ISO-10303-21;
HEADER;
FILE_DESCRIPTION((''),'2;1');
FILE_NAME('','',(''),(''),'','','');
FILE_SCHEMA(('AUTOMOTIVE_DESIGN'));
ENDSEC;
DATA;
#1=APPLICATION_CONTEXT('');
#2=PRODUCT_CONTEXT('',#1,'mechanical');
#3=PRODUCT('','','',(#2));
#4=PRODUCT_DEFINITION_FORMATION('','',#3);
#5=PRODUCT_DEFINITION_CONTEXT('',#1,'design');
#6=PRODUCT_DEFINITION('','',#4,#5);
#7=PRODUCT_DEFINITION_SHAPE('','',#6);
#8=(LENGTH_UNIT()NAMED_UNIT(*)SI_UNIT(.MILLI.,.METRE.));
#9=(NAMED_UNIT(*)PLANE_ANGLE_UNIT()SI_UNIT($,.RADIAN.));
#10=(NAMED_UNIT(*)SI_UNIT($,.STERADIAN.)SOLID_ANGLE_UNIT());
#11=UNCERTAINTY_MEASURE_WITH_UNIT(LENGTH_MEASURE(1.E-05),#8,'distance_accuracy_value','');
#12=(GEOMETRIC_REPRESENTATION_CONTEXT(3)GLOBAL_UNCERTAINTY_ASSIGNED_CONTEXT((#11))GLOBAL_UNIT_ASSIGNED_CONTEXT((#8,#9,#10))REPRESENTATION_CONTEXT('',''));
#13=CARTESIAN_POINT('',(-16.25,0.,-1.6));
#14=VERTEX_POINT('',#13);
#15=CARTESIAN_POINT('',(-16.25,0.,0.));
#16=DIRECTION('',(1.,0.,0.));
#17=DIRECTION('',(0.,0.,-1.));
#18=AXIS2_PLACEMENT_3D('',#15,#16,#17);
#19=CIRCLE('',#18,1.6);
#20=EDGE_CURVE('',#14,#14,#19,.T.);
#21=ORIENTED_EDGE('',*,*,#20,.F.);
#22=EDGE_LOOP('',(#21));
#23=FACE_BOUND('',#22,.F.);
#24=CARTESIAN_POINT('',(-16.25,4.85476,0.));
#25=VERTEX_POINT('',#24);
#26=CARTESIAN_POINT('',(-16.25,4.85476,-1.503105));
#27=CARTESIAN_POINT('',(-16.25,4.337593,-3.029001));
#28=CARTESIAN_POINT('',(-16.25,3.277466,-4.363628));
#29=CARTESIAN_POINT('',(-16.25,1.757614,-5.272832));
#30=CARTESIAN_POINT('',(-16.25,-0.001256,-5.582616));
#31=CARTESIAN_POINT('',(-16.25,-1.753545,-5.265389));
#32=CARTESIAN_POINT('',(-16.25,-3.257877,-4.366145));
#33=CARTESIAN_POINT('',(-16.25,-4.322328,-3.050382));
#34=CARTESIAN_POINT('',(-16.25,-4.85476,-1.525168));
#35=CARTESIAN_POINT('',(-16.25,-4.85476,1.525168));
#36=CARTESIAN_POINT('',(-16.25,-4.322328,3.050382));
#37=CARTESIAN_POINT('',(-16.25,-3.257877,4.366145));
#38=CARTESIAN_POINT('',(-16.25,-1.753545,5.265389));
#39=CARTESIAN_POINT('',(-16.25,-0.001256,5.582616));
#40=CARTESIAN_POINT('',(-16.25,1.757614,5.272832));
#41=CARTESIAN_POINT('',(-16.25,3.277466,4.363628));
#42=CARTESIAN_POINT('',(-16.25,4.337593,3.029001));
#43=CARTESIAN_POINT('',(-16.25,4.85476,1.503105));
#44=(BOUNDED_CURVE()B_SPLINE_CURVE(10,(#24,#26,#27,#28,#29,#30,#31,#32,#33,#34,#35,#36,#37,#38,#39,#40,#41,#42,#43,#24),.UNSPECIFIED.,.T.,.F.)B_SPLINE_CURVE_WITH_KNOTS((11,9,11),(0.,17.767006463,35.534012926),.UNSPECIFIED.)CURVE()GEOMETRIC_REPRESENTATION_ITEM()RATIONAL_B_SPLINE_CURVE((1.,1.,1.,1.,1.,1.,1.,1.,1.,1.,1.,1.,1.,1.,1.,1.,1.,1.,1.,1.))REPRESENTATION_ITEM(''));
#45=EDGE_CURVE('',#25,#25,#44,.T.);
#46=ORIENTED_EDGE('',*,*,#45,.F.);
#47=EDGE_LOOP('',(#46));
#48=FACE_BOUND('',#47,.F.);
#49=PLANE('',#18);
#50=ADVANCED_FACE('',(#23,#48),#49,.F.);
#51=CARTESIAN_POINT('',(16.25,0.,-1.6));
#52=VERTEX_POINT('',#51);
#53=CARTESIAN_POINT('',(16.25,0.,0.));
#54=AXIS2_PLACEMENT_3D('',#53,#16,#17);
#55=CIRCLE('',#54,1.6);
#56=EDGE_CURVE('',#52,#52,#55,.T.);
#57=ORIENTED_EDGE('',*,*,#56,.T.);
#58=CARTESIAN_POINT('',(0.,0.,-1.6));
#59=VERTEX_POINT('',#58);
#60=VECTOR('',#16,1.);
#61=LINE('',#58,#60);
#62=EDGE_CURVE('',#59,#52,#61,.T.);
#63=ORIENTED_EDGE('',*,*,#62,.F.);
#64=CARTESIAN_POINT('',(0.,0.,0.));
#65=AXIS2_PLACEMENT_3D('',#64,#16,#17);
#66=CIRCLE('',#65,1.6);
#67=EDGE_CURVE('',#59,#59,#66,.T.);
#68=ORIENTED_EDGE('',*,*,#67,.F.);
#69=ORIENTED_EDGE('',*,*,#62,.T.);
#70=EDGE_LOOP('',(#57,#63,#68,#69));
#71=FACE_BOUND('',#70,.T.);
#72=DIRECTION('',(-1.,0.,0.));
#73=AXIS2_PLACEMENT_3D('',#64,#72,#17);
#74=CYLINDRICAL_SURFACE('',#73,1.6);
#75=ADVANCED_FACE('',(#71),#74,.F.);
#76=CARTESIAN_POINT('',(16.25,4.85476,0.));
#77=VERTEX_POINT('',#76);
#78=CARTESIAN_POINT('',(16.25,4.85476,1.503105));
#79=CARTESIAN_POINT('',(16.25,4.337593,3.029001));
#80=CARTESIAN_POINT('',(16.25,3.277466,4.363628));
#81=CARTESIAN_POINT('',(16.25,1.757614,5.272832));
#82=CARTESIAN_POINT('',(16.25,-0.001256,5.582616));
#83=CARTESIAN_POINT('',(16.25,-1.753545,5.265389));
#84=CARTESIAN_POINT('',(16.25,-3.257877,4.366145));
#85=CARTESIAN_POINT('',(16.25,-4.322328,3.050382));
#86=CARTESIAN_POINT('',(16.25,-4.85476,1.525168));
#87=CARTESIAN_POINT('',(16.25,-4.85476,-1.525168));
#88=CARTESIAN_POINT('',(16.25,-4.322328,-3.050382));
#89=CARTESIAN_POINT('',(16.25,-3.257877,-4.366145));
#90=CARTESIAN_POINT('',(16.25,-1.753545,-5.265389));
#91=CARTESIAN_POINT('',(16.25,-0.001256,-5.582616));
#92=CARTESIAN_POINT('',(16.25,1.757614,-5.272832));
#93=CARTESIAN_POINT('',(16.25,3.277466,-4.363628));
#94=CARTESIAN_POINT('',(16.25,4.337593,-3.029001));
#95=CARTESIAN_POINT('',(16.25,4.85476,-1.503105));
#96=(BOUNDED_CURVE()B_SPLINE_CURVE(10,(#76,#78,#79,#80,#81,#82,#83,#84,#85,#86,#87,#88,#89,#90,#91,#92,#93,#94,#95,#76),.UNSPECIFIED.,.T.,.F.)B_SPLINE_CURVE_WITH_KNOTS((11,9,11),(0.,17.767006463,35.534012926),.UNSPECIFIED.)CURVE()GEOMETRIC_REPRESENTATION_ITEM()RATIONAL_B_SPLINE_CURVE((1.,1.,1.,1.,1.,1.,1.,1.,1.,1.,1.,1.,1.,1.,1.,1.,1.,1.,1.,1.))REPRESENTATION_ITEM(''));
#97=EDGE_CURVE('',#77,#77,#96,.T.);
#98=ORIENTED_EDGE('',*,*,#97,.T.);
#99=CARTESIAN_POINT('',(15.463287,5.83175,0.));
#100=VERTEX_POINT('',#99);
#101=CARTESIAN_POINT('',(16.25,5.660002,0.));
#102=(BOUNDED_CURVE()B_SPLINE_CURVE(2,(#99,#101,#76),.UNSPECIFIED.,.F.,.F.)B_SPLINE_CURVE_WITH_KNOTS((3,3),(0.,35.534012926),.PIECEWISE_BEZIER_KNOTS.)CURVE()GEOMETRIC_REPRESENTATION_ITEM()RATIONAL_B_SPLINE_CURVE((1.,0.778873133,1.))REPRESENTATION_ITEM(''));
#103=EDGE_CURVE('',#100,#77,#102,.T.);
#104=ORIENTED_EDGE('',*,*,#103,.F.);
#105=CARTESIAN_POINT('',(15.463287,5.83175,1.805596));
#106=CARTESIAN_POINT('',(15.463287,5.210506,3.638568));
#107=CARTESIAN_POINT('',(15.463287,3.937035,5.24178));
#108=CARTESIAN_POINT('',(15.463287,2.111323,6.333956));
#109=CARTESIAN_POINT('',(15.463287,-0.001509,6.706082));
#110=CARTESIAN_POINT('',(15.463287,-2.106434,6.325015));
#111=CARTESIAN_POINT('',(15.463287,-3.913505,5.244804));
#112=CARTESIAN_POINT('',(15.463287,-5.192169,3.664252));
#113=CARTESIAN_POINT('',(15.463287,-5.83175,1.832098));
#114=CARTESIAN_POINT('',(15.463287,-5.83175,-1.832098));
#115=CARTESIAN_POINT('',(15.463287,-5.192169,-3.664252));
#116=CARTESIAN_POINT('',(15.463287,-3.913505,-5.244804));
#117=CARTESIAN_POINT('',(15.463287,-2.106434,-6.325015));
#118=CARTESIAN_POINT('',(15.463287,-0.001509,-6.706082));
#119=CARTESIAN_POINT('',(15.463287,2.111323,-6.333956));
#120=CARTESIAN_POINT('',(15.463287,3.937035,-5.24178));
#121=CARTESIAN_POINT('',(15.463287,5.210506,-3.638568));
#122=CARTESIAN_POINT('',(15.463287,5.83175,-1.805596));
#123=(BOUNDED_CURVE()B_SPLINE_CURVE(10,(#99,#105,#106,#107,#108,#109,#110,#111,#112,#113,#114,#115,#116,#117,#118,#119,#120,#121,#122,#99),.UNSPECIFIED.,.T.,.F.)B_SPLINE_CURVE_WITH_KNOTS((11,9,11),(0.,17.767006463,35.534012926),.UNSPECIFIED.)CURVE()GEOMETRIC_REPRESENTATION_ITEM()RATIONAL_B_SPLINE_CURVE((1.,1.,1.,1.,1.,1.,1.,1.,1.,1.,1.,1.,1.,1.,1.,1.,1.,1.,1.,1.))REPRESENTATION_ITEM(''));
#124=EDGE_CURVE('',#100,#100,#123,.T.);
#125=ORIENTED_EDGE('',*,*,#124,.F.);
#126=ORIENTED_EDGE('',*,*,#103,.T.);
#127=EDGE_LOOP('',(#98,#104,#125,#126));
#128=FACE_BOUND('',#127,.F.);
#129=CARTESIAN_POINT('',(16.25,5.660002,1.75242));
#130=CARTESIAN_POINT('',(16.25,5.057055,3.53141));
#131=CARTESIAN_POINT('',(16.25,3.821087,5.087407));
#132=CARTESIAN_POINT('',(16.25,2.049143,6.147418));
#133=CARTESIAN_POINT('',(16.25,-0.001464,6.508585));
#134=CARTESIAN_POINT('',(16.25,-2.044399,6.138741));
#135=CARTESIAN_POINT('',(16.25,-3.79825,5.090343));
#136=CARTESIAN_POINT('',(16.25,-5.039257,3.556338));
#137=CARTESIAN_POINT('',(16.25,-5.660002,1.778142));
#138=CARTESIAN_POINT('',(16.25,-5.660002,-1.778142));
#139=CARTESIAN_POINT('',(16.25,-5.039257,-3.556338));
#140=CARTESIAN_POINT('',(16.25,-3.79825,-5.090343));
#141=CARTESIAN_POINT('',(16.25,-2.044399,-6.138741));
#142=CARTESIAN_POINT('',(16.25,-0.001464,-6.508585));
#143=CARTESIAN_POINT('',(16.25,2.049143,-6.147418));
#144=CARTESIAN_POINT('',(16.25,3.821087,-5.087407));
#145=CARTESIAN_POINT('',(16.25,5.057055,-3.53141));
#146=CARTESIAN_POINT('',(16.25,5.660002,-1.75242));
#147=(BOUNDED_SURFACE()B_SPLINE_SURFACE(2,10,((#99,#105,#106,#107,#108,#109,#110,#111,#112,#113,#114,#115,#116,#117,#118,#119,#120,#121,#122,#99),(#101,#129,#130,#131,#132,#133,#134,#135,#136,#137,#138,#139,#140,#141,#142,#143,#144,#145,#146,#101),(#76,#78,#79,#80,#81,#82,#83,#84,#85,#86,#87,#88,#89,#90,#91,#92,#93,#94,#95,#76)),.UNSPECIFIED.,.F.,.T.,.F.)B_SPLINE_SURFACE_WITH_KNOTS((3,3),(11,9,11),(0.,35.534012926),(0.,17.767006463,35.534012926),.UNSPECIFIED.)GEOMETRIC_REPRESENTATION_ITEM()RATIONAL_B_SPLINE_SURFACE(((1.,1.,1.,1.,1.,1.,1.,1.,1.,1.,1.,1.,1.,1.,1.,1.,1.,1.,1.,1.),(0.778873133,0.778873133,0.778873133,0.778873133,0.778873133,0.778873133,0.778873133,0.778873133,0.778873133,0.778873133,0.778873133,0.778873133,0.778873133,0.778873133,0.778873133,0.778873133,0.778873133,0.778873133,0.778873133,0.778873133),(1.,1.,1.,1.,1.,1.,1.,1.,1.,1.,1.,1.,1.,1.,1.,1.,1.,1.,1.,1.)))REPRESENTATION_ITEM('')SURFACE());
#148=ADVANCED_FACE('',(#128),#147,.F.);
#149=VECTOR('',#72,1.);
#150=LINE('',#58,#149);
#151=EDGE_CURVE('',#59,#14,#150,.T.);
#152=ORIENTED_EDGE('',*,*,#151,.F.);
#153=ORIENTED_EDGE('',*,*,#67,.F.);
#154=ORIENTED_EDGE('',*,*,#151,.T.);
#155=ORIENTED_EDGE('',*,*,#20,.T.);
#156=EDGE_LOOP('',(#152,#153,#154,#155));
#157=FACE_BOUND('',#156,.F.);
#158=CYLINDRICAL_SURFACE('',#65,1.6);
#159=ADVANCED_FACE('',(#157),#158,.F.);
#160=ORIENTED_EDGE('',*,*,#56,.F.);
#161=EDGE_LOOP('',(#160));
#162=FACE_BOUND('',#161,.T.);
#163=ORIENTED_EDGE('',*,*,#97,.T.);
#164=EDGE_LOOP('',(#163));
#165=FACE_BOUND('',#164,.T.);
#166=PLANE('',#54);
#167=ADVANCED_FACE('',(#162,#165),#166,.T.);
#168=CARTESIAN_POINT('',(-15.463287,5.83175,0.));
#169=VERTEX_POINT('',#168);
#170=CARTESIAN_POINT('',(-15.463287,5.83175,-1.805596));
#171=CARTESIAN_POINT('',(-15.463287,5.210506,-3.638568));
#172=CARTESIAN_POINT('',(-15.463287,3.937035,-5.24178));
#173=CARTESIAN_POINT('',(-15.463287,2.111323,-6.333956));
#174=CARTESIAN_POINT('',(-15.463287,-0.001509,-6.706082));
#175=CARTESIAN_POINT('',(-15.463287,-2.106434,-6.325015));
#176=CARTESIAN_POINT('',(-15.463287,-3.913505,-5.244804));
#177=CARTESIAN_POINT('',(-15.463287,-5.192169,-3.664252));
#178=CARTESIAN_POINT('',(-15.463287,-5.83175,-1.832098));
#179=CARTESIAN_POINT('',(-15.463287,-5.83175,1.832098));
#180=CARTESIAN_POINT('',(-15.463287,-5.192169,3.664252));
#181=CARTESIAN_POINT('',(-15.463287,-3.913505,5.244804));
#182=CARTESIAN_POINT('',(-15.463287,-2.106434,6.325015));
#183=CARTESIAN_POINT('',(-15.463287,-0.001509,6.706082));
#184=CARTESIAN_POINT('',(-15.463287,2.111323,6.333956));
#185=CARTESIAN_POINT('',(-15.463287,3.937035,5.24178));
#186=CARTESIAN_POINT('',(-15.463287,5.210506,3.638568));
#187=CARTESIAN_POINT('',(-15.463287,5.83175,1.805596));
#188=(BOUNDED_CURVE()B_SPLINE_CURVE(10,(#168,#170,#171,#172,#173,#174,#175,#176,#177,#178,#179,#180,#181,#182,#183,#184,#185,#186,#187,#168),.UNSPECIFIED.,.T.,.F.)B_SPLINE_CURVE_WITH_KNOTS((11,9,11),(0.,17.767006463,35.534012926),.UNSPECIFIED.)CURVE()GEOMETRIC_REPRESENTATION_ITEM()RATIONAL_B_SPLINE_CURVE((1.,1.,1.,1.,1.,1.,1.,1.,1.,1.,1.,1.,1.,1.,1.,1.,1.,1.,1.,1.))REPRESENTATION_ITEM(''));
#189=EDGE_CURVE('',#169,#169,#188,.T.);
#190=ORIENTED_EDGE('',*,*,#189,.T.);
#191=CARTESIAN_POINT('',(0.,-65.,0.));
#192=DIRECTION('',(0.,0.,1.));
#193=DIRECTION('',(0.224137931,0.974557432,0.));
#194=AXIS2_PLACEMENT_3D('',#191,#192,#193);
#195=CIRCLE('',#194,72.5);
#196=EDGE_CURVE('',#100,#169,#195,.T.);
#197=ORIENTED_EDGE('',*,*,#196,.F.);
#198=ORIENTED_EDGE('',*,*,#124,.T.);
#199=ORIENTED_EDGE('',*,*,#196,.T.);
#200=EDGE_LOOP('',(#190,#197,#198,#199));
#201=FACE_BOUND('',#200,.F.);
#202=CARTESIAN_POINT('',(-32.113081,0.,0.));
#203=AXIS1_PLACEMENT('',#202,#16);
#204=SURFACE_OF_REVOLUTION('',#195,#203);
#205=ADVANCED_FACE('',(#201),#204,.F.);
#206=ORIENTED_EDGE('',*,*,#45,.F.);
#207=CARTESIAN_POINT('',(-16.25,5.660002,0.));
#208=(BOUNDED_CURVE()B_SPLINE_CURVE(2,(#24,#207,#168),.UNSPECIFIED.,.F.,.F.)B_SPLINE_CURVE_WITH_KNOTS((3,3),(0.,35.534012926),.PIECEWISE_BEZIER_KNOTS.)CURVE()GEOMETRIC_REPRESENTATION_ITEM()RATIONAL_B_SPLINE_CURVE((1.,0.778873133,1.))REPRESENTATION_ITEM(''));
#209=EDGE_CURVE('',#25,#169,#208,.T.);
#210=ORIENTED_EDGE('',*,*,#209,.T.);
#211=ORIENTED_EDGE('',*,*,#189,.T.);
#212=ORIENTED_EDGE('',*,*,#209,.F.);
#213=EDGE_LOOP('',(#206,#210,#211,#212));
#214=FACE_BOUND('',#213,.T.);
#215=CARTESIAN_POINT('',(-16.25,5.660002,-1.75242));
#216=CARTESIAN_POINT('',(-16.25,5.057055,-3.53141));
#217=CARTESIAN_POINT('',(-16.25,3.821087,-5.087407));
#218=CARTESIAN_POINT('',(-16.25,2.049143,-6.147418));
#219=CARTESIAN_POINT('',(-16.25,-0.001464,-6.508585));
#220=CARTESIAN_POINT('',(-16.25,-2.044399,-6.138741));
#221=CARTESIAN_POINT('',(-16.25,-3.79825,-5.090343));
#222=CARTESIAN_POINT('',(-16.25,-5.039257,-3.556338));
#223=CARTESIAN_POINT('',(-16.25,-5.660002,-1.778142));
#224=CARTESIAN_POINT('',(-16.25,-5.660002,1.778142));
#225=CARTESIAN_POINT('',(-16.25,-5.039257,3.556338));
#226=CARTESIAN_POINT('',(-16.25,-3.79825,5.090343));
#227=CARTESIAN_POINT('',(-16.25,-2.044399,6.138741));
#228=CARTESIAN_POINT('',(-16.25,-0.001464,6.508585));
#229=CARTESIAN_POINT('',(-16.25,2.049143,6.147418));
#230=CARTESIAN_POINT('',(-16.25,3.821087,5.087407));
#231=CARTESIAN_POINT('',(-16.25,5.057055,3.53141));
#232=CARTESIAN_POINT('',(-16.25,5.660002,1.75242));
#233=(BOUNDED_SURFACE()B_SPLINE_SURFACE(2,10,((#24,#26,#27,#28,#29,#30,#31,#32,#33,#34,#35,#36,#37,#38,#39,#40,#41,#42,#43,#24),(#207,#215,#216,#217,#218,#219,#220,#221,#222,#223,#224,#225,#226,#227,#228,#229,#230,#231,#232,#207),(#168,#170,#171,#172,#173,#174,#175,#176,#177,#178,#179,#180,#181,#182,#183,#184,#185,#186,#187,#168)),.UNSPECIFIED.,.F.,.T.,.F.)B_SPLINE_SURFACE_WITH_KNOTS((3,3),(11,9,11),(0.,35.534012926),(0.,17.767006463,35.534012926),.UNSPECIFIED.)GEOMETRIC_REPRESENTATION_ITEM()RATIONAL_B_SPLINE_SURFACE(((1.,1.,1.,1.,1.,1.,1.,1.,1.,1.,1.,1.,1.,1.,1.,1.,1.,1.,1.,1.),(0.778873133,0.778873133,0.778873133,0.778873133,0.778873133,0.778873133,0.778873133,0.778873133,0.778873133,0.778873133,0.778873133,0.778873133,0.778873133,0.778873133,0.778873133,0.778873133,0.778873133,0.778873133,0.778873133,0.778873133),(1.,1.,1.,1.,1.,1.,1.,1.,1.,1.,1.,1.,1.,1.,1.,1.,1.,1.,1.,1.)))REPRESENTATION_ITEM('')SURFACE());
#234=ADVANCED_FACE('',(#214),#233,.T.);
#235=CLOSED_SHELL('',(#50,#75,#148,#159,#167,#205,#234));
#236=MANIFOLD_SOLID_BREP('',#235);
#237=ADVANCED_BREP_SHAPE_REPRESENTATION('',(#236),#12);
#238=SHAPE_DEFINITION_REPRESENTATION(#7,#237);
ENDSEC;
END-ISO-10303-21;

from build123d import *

# Parameters (mm, degrees)
SKETCH2_R                = 5.655413805
SKETCH2_R_2              = 1.6
BOSS_EXTRUDE1_DEPTH      = 16.25
BOSS_EXTRUDE1_DEPTH_BACK = 16.25
FILLET1_R                = 1


with BuildPart() as part:
    # Sketch1 → Revolve1 (revolve)
    with BuildSketch(Plane.XY):
        with BuildLine():
            ThreePointArc((16.25, 5.655413805), (0, 7.5), (-16.25, 5.655413805))
            Line((-16.25, 5.655413805), (16.25, 5.655413805))
        make_face()
    revolve(axis=Axis((-32.113081447, 0, 0), (1, 0, 0)))

    # Sketch2 → Boss-Extrude1 (add, two sides)
    with BuildSketch(Plane(origin=(0, 0, 0), x_dir=(0, 0, -1), z_dir=(1, 0, 0))) as boss_extrude1_sk:
        Circle(SKETCH2_R)
        Circle(SKETCH2_R_2, mode=Mode.SUBTRACT)
    extrude(amount=BOSS_EXTRUDE1_DEPTH)
    extrude(boss_extrude1_sk.sketch, amount=-BOSS_EXTRUDE1_DEPTH_BACK)

    # Fillet1
    fillet1_edges = [part.edges().sort_by_distance(p)[0] for p in [
        (-16.25, -5.655413805, 0),
        (16.25, -5.655413805, 0),
    ]]
    fillet(fillet1_edges, radius=FILLET1_R)


solid = part.part
